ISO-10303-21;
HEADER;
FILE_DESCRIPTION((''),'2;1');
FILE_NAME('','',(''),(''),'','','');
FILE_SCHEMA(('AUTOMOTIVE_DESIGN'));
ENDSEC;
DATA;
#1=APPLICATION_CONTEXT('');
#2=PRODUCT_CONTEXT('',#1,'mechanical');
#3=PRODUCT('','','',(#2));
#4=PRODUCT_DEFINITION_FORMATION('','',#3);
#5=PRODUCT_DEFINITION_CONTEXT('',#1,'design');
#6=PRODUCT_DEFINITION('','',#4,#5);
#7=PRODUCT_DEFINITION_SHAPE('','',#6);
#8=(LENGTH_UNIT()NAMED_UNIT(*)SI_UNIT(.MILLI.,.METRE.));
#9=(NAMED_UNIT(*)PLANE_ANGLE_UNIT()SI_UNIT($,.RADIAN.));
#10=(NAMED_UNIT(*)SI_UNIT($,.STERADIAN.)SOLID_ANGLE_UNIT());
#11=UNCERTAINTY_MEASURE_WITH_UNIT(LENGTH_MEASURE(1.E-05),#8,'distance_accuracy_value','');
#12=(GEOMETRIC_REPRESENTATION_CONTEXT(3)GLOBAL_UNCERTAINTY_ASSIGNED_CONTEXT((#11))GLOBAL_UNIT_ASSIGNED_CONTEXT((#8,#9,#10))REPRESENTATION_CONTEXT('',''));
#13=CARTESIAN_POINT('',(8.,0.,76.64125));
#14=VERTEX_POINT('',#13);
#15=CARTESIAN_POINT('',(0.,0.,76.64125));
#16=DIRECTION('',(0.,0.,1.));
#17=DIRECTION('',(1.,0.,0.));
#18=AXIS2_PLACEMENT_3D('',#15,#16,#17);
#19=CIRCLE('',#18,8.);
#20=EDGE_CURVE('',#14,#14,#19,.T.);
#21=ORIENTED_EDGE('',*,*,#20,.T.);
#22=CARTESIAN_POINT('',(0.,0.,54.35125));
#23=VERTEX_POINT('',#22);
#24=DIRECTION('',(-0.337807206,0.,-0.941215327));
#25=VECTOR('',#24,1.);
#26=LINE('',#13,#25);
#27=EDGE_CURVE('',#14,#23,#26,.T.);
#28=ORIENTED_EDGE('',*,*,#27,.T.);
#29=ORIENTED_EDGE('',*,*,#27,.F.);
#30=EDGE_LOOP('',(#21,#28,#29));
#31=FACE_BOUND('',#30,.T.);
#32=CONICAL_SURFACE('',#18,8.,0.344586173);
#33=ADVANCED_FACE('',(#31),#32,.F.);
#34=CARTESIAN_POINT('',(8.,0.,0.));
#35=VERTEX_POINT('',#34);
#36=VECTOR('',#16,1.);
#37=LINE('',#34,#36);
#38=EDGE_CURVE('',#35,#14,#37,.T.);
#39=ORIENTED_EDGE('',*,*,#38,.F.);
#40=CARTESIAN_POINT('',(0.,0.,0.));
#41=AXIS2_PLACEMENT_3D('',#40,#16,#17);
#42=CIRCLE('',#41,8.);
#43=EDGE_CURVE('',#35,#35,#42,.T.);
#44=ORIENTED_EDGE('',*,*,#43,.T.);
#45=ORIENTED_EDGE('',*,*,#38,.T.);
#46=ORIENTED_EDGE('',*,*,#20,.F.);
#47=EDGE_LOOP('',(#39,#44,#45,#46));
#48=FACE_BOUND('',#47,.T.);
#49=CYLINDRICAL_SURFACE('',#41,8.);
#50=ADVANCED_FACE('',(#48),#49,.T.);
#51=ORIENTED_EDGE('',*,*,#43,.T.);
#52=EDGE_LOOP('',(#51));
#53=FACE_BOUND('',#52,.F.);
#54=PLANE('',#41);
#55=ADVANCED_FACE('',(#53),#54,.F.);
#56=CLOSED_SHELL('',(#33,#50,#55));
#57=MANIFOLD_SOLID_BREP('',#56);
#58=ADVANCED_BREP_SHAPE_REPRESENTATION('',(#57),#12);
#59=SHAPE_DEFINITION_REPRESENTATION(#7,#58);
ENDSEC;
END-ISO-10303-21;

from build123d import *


with BuildPart() as part:
    # Sketch → Revolution (revolve)
    with BuildSketch(Plane.XZ):
        Polygon((8, 0), (0, 0), (0, 37.71), (0, 54.35125), (3, 62.71), (8, 76.64125), (8, 62.71), align=None)
    revolve(axis=Axis((0, 0, 0), (0, 0, 1)))


solid = part.part
